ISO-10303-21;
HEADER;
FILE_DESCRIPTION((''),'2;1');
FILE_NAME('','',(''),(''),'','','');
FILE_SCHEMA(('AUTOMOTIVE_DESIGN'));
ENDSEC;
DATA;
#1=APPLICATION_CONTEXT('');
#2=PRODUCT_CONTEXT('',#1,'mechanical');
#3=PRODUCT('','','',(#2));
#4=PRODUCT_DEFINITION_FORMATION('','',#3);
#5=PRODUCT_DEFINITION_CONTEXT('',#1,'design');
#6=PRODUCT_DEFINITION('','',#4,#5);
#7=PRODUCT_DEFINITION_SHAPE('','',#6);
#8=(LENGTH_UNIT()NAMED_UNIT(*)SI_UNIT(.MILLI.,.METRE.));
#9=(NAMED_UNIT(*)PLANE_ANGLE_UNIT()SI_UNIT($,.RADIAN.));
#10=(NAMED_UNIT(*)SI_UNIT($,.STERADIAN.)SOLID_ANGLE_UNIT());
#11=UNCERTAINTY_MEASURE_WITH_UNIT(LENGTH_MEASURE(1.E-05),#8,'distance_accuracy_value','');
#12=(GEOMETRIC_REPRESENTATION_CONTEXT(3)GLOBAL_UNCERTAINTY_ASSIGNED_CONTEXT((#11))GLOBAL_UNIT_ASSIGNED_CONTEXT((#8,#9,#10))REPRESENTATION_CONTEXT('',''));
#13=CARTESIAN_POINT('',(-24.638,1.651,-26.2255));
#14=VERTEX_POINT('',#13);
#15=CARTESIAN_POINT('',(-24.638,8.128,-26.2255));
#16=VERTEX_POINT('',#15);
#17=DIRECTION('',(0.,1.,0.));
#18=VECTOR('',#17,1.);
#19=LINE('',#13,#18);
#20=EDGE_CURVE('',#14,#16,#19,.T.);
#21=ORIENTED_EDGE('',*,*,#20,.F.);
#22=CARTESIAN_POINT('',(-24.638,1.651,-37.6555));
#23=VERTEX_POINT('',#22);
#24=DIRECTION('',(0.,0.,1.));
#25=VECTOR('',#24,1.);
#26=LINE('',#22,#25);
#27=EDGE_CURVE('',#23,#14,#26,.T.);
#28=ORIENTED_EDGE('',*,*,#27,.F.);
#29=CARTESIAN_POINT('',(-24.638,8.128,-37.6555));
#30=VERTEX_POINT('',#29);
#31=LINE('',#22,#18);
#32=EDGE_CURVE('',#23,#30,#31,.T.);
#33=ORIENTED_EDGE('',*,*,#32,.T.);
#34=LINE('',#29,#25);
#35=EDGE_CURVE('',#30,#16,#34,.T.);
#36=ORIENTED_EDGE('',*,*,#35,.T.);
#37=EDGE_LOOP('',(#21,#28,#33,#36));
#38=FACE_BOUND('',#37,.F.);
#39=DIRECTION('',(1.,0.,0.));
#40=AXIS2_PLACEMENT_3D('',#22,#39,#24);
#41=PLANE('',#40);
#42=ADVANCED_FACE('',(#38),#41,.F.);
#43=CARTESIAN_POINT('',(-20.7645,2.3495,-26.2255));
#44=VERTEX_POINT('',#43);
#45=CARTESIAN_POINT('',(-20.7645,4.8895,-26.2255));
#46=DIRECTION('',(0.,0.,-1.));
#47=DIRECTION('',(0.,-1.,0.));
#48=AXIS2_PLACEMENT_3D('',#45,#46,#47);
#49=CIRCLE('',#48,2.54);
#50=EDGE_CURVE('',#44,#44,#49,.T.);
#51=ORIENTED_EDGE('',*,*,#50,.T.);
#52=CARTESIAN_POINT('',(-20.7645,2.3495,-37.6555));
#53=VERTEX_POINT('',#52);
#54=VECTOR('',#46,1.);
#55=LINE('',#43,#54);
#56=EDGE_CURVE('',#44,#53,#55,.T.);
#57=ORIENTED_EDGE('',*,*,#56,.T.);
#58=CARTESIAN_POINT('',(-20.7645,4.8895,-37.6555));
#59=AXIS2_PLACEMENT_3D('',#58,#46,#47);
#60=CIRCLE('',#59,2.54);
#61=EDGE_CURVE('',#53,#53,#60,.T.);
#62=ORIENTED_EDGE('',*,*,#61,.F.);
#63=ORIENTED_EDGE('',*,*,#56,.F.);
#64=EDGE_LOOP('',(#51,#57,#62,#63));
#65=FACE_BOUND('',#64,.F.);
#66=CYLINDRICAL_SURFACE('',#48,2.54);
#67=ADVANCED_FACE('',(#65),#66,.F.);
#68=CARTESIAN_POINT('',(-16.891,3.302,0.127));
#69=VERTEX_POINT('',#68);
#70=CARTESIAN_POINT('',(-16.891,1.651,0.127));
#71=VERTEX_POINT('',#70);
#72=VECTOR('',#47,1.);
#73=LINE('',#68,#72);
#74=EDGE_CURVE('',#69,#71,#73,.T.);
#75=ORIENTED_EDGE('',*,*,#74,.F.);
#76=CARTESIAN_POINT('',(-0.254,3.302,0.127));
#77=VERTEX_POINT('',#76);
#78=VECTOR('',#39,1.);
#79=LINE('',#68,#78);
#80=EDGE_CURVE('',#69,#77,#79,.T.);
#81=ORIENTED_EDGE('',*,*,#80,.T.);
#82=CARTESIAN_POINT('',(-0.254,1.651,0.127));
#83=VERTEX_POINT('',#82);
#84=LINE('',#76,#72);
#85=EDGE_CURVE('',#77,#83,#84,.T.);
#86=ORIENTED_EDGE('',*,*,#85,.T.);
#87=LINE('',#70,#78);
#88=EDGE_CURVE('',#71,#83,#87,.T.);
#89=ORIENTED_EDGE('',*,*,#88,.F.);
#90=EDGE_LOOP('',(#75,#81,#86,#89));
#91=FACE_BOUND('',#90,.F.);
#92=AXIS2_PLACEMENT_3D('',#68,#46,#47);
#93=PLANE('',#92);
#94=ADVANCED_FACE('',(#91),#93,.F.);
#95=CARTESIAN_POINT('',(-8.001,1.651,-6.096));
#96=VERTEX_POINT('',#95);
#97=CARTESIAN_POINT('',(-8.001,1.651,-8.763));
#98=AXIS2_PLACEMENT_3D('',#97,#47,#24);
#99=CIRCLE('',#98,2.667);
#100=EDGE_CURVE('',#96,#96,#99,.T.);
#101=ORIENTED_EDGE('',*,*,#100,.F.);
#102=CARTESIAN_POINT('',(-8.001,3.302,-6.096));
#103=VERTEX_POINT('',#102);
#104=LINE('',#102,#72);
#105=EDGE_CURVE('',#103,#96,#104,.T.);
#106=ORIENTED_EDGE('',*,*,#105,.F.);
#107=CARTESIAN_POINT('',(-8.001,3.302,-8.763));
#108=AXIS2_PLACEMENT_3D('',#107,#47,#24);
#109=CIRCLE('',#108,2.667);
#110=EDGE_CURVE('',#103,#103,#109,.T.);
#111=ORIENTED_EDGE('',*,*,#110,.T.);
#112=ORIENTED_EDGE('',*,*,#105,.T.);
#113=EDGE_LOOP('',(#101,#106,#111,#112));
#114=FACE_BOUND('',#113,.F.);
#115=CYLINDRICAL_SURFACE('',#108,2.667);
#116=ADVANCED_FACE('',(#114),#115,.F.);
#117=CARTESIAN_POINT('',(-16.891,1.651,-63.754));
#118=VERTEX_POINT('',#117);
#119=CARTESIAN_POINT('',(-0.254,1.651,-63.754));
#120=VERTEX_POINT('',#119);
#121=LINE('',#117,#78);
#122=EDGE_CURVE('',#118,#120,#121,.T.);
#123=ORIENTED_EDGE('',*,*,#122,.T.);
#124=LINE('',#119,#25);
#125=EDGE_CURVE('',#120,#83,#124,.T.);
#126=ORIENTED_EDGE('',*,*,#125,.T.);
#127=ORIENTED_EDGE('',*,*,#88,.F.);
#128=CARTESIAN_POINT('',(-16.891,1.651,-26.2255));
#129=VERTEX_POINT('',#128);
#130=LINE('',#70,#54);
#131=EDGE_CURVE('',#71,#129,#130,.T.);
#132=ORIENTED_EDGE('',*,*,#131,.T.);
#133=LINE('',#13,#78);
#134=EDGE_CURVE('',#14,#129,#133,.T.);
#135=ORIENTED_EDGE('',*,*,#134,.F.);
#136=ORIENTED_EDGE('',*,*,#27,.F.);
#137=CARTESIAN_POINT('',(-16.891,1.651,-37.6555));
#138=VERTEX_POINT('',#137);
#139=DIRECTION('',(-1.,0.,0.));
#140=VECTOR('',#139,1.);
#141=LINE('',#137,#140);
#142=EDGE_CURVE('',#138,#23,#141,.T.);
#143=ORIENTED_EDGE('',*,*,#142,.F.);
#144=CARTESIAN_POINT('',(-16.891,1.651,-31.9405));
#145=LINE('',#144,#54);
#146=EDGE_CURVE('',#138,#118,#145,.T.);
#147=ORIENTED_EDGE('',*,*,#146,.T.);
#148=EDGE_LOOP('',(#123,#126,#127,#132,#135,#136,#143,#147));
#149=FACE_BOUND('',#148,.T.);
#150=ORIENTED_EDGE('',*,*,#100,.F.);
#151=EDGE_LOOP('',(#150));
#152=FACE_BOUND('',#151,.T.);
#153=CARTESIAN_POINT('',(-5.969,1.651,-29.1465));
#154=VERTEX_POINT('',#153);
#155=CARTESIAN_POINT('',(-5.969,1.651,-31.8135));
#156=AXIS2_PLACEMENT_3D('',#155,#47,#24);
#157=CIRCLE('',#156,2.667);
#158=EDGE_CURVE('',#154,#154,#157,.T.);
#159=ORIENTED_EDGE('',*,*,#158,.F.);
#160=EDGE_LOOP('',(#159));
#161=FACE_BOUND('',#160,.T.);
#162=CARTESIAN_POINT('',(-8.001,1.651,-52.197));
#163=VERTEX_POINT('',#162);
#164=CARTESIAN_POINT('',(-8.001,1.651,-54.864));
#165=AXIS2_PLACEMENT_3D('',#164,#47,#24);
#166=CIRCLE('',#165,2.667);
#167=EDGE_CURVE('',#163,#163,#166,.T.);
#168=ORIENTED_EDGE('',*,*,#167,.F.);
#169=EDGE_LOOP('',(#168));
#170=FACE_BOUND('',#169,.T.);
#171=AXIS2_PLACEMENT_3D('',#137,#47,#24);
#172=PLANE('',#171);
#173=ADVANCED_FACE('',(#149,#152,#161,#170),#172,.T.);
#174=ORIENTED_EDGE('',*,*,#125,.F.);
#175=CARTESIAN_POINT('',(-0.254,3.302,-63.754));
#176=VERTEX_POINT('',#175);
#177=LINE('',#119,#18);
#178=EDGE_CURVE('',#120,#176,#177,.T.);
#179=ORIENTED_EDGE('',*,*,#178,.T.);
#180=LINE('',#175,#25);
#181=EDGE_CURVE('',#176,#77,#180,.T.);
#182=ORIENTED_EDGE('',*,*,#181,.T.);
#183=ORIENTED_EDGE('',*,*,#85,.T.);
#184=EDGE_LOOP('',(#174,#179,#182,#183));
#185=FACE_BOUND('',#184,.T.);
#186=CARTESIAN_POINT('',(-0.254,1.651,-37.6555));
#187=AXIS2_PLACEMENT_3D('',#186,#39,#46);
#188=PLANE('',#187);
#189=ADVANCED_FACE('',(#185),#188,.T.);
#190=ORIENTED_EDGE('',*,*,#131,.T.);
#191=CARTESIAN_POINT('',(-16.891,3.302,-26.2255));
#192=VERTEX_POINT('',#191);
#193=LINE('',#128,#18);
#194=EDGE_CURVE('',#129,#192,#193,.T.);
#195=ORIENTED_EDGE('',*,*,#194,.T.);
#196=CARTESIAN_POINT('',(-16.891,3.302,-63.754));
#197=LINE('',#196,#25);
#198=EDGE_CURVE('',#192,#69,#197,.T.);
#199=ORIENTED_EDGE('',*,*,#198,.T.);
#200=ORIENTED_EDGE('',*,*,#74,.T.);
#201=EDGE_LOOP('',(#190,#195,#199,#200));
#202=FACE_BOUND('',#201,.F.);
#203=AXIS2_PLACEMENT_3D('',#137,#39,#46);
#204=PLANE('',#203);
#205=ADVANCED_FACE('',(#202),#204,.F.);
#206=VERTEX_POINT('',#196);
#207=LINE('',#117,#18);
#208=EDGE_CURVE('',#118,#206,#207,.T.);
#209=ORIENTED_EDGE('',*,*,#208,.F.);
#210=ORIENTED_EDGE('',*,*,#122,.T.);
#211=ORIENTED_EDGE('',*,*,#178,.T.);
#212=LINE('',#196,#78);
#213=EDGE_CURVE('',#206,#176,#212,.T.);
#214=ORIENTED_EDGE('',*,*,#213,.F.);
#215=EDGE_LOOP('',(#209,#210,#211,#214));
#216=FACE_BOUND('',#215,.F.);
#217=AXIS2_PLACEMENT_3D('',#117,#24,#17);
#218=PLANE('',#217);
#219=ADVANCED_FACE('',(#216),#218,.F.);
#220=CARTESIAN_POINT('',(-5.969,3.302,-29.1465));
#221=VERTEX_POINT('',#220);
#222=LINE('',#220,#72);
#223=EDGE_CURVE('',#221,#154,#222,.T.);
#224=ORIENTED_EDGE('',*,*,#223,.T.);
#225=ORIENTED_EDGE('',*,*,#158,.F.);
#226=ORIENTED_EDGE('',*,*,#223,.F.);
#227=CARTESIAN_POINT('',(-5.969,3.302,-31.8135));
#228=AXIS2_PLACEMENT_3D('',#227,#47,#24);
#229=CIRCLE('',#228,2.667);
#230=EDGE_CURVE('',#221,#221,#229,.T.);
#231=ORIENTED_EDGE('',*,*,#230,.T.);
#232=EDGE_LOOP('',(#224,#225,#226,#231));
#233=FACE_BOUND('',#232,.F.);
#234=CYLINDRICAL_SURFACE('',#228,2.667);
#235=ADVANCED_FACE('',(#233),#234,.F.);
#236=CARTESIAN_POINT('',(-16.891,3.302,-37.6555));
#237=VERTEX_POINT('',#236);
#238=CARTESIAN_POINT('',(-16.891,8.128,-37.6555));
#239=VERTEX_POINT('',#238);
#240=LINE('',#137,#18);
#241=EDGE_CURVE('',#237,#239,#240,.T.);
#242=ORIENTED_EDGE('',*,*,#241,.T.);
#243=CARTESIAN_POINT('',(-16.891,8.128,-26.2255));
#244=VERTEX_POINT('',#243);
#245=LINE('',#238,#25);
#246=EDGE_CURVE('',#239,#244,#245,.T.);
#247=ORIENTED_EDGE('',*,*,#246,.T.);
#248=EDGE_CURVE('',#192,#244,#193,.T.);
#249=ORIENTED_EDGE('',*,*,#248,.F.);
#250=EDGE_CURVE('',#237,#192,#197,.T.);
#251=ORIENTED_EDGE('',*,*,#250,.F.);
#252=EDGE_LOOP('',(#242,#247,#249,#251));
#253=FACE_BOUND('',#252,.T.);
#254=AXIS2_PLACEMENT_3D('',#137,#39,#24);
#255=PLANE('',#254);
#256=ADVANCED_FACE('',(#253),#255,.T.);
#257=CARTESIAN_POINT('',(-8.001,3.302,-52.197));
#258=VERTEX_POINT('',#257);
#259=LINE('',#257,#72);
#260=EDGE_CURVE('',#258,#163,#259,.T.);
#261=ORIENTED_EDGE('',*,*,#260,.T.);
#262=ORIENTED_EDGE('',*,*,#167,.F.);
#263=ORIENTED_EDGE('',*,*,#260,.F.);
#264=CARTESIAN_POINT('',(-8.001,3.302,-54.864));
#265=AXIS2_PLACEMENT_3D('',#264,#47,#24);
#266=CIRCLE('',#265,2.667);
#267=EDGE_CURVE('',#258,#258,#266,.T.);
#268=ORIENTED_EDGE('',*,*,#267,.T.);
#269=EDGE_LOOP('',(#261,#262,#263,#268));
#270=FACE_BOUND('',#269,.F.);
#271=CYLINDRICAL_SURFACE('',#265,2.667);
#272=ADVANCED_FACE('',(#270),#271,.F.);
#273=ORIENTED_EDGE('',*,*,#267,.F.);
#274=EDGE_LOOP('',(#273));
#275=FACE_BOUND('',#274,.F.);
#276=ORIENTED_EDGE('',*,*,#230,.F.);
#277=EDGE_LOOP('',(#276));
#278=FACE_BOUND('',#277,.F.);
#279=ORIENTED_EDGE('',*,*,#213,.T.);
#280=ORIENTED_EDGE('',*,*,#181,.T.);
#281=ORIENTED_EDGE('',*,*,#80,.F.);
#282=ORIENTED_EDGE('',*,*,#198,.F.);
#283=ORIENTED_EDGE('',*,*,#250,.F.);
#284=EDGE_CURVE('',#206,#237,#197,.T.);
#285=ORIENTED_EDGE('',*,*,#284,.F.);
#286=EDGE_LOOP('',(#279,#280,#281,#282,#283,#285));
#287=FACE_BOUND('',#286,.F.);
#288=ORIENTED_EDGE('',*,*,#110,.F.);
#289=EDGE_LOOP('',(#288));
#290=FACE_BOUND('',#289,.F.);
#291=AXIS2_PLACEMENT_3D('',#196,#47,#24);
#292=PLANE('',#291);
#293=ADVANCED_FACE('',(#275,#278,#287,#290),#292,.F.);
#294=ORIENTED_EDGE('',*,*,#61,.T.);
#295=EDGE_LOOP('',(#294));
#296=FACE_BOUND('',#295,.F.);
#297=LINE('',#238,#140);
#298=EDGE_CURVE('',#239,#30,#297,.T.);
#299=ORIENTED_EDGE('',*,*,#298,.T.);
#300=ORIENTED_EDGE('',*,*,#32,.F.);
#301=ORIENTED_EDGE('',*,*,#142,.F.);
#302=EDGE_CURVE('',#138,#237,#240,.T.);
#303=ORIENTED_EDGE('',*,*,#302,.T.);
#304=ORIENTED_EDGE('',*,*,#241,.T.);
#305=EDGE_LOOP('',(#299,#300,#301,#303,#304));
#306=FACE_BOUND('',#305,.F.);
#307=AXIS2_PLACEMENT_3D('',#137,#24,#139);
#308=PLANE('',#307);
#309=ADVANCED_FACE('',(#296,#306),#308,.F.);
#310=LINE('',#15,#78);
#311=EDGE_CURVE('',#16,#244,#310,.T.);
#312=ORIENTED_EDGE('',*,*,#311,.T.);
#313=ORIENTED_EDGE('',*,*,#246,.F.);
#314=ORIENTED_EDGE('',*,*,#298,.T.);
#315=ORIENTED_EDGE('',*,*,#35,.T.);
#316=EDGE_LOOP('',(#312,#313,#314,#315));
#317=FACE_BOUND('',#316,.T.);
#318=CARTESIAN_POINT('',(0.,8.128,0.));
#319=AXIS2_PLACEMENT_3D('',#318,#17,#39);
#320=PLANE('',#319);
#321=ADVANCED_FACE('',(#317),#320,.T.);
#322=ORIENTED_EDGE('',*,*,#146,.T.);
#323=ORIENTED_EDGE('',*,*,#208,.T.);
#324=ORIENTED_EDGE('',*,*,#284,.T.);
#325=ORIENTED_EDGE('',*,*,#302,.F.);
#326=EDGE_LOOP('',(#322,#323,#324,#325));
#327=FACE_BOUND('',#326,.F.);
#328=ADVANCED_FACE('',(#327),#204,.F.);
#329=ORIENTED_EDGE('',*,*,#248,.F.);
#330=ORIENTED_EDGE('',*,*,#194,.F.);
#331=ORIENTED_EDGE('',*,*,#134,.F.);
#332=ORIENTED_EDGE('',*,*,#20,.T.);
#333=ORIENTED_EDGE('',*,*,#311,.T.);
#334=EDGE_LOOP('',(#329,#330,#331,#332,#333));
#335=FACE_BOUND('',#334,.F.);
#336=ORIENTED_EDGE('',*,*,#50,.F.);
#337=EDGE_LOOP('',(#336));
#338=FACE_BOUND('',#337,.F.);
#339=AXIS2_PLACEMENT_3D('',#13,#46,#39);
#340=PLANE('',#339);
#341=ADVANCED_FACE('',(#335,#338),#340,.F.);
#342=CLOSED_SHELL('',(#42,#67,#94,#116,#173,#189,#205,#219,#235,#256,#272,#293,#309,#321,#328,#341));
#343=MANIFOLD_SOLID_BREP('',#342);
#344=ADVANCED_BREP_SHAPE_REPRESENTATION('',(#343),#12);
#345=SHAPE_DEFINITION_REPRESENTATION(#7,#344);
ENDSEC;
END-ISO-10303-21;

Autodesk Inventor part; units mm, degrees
ref_plane "YZ Plane" through (0, 0, 0) normal (1, 0, 0) x (0, 1, 0)
ref_plane "XZ Plane" through (0, 0, 0) normal (0, 1, 0) x (-1, 0, 0)
ref_plane "XY Plane" through (0, 0, 0) normal (0, 0, 1) x (1, 0, 0)
sketch "Sketch1" plane through (0, 0, 0) normal (0, 1, 0) x (-1, 0, 0)
  line L0 (0, 0) -> (0, -63.881)
  line L1 (0, -63.881) -> (16.891, -63.881)
  line L2 (16.891, -63.881) -> (16.891, 0)
  line L3 (16.891, 0) -> (0, 0)
  line L4 (16.891, 0) -> (24.638, 0)
  line L5 (24.638, 0) -> (24.638, -11.43)
  line L6 (24.638, -11.43) -> (16.891, -11.43)
  line L7 (16.891, -63.881) -> (24.638, -63.881)
  line L8 (24.638, -63.881) -> (24.638, -52.451)
  line L9 (24.638, -52.451) -> (16.891, -52.451)
  dimension "d0" = 63.881
  dimension "d1" = 16.891
  dimension "d2" = 7.747
  dimension "d3" = 11.43
  dimension "d4" = 7.747
  dimension "d5" = 11.43
extrude "Extrusion1" add sketch "Sketch1" along normal blind 1.651 contours L3 L2 L1 L0
hole "Hole3" at (-5.715, 1.651, -32.131) direction (0, -1, 0) diameter 5.334 end through all
sketch "Sketch2" plane through (0, 1.651, 0) normal (0, 1, 0) x (1, 0, 0)
  line L0 (-16.891, 63.881) -> (-16.891, 31.9405)
  line L1 (-16.891, 63.881) -> (-16.891, 0) projected
  line L2 (-16.891, 31.9405) -> (-16.891, 37.6555)
  line L3 (-16.891, 37.6555) -> (-24.638, 37.6555)
  line L4 (-24.638, 37.6555) -> (-24.638, 26.2255)
  line L5 (-24.638, 26.2255) -> (-16.891, 26.2255)
  line L6 (-16.891, 31.9405) -> (-16.891, 37.6555)
  point P0 (0, 0)
  dimension "d48" = 31.9405
  dimension "d49" = 5.715
  dimension "d50" = 7.747
  dimension "d51" = 11.43
extrude "Extrusion4" add sketch "Sketch2" along normal blind 6.477
hole "Hole5" at (-20.7645, 4.8895, -26.2255) direction (0, 0, -1) diameter 5.08 end through all
sketch "Sketch3" plane through (0, 1.651, 0) normal (0, 1, 0) x (1, 0, 0)
  line L0 (0, 63.881) -> (-16.891, 63.881)
  line L1 (-16.891, 63.881) -> (-16.891, 0)
  line L2 (-16.891, 0) -> (0, 0)
  line L3 (0, 0) -> (0, 63.881)
  line L4 (0, 63.881) -> (-16.891, 63.881) projected
extrude "Extrusion5" cut sketch "Sketch3" against normal blind 6.35
sketch "Sketch4" plane through (-16.891, 1.651, -37.6555) normal (1, 0, 0) x (0, 0, -1)
  line L0 (0, 0) -> (-11.43, 0) projected
  line L1 (-5.715, 0) -> (26.0985, 0)
  line L2 (26.0985, 0) -> (26.0985, 1.651)
  line L3 (26.0985, 0) -> (26.0985, 1.651)
  line L4 (26.0985, 1.651) -> (-37.7825, 1.651)
  line L5 (-37.7825, 1.651) -> (-37.7825, 0)
  line L6 (-37.7825, 0) -> (-11.43, 0)
  point P0 (-37.6555, -1.651)
  dimension "d65" = 31.8135
  dimension "d66" = 1.651
  dimension "d67" = 1.651
  dimension "d68" = 63.881
extrude "Extrusion6" add sketch "Sketch4" along normal blind 16.637
hole "Hole6" at (-8.001, 3.302, -8.763) direction (0, -1, 0) diameter 5.334 end through all
hole "Hole7" at (-8.001, 3.302, -54.864) direction (0, -1, 0) diameter 5.334 end through all
hole "Hole8" at (-5.969, 3.302, -31.8135) direction (0, -1, 0) diameter 5.334 end through all
properties part number "door hinge for conveyor part 2"
